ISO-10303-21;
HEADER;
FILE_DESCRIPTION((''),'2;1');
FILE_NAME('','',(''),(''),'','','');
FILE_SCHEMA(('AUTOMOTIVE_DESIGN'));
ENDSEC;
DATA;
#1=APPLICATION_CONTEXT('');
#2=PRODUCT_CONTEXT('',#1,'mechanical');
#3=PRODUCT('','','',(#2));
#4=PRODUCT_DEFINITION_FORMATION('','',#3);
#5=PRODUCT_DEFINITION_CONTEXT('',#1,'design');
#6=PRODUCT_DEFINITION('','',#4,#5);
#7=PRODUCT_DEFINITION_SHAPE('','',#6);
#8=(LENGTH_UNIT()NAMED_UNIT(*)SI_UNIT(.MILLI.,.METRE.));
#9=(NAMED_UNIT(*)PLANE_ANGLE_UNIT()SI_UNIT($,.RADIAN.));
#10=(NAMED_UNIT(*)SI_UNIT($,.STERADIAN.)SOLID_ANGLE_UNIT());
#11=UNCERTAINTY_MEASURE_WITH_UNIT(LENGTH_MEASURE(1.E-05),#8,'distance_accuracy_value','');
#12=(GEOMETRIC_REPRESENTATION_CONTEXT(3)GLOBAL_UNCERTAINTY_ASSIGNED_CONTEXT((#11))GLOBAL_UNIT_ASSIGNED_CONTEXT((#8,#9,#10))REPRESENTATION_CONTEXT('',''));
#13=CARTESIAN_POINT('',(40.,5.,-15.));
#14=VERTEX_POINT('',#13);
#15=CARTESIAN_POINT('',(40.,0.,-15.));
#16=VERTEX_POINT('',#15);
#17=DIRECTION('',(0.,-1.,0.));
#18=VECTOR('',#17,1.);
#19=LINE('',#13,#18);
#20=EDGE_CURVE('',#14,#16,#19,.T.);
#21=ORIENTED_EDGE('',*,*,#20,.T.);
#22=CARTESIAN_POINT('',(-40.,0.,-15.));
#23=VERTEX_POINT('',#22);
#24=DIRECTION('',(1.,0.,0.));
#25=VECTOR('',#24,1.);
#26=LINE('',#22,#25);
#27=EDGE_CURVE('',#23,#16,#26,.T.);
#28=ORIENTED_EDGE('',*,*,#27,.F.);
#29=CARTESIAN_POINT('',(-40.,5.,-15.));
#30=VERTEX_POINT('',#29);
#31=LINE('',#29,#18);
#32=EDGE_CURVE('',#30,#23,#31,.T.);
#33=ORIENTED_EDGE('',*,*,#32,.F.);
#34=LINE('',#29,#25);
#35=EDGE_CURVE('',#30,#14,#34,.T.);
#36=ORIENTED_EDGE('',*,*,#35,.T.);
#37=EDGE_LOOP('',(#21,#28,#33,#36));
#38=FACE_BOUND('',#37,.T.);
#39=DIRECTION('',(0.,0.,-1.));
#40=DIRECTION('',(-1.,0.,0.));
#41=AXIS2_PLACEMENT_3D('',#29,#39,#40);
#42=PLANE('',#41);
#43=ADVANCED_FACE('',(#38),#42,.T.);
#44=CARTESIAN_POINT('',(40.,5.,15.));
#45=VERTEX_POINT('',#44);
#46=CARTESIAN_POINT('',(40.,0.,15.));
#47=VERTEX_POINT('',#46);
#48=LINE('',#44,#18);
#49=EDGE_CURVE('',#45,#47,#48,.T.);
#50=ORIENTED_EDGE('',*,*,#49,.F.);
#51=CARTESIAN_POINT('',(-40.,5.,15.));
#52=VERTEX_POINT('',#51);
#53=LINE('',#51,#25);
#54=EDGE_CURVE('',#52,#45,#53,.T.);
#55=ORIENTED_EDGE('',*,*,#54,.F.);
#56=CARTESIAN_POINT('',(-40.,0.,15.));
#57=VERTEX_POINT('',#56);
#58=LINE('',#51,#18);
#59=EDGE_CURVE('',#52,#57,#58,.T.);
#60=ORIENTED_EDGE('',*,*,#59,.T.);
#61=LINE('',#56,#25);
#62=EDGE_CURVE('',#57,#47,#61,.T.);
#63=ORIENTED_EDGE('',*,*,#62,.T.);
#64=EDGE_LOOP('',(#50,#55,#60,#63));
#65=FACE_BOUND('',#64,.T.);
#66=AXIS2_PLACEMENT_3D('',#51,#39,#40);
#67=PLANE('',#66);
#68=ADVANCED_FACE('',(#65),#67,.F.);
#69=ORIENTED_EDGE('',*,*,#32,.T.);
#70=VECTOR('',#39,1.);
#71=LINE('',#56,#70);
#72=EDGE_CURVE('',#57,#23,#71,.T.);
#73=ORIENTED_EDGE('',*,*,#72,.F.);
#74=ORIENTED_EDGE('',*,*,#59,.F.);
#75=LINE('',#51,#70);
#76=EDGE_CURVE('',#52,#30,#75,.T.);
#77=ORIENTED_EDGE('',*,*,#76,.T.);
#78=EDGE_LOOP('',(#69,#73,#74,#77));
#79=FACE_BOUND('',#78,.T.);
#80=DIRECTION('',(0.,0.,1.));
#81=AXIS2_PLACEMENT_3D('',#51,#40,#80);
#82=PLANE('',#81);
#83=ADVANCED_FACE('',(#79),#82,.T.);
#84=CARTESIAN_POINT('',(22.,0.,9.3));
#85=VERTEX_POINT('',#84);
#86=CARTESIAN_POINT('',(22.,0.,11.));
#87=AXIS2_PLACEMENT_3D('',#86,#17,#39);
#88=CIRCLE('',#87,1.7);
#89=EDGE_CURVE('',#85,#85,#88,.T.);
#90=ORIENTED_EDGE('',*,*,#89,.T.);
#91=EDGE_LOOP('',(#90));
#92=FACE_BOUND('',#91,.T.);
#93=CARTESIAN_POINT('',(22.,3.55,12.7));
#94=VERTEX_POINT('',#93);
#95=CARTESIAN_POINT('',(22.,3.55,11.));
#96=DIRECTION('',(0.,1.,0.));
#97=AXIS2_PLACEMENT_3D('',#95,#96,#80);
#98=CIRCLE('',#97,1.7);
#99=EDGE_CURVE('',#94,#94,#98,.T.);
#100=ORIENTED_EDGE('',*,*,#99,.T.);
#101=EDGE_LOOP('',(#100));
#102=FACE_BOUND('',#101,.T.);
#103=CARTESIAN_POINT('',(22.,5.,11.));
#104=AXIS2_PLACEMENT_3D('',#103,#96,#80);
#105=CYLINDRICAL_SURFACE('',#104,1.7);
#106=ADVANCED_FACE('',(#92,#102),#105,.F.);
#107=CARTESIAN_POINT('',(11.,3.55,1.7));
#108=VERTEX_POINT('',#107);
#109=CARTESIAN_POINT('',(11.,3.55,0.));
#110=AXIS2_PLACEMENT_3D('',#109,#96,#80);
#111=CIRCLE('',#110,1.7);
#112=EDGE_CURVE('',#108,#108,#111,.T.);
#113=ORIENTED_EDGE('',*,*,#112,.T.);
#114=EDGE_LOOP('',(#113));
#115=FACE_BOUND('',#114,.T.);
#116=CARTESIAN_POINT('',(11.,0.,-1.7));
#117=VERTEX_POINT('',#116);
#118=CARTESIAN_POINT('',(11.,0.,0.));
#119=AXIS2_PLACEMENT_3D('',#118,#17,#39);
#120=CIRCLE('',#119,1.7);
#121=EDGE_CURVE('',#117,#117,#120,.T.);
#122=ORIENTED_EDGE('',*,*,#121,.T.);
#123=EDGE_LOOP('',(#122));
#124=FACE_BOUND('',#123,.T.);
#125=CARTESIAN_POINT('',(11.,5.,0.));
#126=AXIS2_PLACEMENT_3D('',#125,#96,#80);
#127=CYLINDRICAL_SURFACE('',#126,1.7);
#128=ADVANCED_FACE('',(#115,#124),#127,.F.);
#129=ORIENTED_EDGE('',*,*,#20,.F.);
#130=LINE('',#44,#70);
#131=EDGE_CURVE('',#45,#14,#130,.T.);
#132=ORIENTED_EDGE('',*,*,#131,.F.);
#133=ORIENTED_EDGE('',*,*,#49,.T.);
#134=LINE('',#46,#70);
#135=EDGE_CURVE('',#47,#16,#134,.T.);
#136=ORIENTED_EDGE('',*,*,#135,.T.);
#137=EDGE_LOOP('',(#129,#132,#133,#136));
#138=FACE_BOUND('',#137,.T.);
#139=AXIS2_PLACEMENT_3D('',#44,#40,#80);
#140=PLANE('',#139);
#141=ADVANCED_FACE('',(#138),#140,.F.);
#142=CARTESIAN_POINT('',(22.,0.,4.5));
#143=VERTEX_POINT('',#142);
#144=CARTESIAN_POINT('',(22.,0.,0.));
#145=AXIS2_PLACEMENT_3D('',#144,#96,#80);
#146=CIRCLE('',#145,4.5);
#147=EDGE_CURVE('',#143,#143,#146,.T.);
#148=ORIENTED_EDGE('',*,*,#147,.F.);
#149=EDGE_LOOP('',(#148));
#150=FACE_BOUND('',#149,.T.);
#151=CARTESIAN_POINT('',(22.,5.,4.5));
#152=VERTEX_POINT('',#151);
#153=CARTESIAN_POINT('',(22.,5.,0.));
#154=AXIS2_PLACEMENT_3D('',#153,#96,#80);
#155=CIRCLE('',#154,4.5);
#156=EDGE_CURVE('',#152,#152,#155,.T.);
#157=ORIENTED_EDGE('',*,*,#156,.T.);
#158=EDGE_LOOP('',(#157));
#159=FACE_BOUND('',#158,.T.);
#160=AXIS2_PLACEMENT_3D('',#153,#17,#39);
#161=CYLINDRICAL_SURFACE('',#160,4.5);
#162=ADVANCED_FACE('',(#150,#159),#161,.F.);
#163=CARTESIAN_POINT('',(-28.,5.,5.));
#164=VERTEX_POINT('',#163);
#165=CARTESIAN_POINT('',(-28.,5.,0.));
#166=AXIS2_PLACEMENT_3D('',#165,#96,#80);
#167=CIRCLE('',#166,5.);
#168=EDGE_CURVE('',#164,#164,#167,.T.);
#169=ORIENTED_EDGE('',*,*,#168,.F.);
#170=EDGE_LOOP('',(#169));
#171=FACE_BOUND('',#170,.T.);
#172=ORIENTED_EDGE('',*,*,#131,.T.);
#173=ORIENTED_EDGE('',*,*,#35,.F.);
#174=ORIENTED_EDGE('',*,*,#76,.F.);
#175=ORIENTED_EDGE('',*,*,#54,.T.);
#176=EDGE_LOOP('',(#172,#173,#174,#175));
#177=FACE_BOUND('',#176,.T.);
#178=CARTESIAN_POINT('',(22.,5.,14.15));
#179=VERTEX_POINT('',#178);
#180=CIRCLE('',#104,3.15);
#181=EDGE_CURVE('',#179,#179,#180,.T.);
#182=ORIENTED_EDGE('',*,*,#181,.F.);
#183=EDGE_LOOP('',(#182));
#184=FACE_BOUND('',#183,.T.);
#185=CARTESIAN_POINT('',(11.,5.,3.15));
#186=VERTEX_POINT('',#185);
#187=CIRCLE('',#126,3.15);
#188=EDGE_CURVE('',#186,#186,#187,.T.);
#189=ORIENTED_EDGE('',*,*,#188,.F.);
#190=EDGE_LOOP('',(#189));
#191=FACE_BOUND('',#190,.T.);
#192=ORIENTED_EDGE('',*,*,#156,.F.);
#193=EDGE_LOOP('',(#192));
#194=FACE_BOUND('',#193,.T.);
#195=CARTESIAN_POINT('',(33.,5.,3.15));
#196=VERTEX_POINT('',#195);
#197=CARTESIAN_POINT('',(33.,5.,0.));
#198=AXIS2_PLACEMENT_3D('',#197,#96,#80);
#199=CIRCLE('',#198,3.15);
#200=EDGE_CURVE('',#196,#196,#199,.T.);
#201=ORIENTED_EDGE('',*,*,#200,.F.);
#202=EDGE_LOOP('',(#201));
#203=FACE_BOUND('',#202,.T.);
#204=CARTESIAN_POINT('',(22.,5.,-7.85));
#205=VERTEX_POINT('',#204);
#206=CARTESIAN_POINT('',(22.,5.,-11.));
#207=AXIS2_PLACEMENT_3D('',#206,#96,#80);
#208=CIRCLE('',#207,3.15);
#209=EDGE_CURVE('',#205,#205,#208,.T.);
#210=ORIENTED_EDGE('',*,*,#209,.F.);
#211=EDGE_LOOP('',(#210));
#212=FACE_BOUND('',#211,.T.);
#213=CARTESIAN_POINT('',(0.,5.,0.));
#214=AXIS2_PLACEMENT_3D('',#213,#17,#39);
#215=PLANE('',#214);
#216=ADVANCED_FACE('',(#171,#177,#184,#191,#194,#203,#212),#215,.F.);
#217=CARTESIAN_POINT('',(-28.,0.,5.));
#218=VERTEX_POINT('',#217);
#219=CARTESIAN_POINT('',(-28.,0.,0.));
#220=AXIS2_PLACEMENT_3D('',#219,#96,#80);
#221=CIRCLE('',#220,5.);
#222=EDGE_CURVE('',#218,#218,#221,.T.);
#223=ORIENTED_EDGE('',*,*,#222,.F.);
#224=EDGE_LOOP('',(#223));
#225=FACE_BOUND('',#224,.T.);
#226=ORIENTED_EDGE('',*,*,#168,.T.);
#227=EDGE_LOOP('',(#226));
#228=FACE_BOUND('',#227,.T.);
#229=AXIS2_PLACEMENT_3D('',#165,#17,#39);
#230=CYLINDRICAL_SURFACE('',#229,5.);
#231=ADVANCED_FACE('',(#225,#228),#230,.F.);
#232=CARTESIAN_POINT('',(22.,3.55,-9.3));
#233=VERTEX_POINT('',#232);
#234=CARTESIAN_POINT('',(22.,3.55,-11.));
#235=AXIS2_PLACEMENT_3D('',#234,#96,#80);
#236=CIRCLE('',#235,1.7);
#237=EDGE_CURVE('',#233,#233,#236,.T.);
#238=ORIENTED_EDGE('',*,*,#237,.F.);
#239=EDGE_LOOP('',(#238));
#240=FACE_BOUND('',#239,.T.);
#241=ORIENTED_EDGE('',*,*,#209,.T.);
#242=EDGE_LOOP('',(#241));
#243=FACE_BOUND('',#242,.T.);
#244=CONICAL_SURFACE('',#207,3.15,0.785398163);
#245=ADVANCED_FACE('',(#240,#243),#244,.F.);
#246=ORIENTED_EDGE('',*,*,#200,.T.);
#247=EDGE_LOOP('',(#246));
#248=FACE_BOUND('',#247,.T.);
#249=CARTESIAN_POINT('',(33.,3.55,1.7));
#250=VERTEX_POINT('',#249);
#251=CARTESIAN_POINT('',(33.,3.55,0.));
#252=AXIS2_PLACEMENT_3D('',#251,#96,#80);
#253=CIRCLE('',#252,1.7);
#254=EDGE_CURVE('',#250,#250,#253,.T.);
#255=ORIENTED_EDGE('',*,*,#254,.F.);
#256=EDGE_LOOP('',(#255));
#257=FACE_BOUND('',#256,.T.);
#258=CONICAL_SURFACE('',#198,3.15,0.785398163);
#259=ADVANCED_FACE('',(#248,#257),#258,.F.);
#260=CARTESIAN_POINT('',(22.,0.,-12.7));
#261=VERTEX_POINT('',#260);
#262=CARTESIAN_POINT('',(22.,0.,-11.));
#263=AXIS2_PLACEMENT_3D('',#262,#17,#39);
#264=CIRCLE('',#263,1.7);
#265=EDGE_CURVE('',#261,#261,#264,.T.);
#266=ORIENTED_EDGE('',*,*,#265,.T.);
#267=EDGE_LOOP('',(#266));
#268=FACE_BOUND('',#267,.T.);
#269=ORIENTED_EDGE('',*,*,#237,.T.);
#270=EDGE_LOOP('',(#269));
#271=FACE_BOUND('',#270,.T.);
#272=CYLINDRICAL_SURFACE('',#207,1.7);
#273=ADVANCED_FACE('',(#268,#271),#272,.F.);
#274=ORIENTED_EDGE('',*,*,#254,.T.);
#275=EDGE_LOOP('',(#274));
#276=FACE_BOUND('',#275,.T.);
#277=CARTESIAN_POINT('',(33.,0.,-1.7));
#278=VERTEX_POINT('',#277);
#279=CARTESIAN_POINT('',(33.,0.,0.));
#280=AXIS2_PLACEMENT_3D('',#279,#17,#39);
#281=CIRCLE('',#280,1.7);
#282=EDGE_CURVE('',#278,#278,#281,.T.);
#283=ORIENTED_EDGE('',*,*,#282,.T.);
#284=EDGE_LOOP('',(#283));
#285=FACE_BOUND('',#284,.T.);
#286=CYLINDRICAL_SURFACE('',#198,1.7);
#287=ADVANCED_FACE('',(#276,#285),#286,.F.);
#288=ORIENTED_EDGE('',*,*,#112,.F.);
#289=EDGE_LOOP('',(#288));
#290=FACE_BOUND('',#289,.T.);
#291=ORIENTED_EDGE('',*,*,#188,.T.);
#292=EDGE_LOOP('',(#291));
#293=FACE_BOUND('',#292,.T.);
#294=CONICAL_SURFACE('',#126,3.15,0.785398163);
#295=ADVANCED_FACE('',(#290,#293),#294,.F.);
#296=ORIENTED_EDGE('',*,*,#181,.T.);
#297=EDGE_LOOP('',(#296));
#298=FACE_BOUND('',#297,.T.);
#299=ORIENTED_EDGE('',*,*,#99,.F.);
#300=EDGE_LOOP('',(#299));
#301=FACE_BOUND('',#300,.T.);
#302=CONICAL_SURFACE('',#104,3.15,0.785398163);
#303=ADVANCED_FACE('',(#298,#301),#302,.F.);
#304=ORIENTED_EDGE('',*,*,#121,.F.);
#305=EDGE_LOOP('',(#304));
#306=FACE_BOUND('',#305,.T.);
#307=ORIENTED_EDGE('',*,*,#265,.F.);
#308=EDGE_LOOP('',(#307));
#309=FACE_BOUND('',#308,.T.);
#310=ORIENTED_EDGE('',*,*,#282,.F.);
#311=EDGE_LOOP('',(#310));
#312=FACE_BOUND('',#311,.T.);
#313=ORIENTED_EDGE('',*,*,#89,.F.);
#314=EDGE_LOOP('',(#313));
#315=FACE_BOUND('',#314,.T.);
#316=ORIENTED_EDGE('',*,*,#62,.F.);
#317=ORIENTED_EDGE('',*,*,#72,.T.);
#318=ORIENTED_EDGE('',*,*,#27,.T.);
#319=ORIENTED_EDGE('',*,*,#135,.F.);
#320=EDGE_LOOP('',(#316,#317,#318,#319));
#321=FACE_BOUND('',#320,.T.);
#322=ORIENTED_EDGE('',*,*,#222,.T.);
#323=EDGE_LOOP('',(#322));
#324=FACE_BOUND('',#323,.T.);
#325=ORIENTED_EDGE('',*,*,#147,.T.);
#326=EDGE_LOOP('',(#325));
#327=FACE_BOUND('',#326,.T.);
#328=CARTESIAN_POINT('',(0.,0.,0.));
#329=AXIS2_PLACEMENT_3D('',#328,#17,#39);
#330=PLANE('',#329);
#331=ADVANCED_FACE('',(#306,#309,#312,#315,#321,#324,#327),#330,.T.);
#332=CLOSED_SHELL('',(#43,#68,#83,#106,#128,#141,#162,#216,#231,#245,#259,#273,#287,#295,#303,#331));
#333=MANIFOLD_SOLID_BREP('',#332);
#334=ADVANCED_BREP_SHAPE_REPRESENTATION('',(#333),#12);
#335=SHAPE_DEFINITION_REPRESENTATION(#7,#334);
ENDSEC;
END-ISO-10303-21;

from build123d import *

# Parameters (mm, degrees)
SKETCH1_W                                           = 80
SKETCH1_H                                           = 30
SKETCH1_R                                           = 4.5
SKETCH1_R_2                                         = 5
BOSS_EXTRUDE1_DEPTH                                 = 5
CSK_FOR_M3_COUNTERSUNK_FLAT_HEAD_SCREW1_D           = 3.4
CSK_FOR_M3_COUNTERSUNK_FLAT_HEAD_SCREW1_CSINK_D     = 6.3
CSK_FOR_M3_COUNTERSUNK_FLAT_HEAD_SCREW1_CSINK_ANGLE = 90
CIRPATTERN1_COUNT                                   = 4


with BuildPart() as part:
    # Sketch1 → Boss-Extrude1 (new body)
    with BuildSketch(Plane(origin=(0, 0, 0), x_dir=(1, 0, 0), z_dir=(0, 1, 0))):
        Rectangle(SKETCH1_W, SKETCH1_H)
        with Locations(Location((22, 0, 0), (0, 0, 270))):
            Circle(SKETCH1_R, mode=Mode.SUBTRACT)
        with Locations(Location((-28, 0, 0), (0, 0, 270))):
            Circle(SKETCH1_R_2, mode=Mode.SUBTRACT)
    extrude(amount=BOSS_EXTRUDE1_DEPTH)

    # CSK for M3 Countersunk Flat Head Screw1 (through all)
    with Locations(Plane(origin=(0, 5, 0), x_dir=(1, 0, 0), z_dir=(0, 1, 0))):
        with Locations((11, 0)):
            csk_for_m3_countersunk_flat_head_screw1 = CounterSinkHole(CSK_FOR_M3_COUNTERSUNK_FLAT_HEAD_SCREW1_D / 2, CSK_FOR_M3_COUNTERSUNK_FLAT_HEAD_SCREW1_CSINK_D / 2, counter_sink_angle=CSK_FOR_M3_COUNTERSUNK_FLAT_HEAD_SCREW1_CSINK_ANGLE)

    # CirPattern1: CSK for M3 Countersunk Flat Head Screw1 ×4 about axis
    cirpattern1_axis = Axis((22, 0, 0), (0, 1, 0))
    for i in range(1, CIRPATTERN1_COUNT):
        add(csk_for_m3_countersunk_flat_head_screw1.rotate(cirpattern1_axis, i * 360 / CIRPATTERN1_COUNT), mode=Mode.SUBTRACT)


solid = part.part
